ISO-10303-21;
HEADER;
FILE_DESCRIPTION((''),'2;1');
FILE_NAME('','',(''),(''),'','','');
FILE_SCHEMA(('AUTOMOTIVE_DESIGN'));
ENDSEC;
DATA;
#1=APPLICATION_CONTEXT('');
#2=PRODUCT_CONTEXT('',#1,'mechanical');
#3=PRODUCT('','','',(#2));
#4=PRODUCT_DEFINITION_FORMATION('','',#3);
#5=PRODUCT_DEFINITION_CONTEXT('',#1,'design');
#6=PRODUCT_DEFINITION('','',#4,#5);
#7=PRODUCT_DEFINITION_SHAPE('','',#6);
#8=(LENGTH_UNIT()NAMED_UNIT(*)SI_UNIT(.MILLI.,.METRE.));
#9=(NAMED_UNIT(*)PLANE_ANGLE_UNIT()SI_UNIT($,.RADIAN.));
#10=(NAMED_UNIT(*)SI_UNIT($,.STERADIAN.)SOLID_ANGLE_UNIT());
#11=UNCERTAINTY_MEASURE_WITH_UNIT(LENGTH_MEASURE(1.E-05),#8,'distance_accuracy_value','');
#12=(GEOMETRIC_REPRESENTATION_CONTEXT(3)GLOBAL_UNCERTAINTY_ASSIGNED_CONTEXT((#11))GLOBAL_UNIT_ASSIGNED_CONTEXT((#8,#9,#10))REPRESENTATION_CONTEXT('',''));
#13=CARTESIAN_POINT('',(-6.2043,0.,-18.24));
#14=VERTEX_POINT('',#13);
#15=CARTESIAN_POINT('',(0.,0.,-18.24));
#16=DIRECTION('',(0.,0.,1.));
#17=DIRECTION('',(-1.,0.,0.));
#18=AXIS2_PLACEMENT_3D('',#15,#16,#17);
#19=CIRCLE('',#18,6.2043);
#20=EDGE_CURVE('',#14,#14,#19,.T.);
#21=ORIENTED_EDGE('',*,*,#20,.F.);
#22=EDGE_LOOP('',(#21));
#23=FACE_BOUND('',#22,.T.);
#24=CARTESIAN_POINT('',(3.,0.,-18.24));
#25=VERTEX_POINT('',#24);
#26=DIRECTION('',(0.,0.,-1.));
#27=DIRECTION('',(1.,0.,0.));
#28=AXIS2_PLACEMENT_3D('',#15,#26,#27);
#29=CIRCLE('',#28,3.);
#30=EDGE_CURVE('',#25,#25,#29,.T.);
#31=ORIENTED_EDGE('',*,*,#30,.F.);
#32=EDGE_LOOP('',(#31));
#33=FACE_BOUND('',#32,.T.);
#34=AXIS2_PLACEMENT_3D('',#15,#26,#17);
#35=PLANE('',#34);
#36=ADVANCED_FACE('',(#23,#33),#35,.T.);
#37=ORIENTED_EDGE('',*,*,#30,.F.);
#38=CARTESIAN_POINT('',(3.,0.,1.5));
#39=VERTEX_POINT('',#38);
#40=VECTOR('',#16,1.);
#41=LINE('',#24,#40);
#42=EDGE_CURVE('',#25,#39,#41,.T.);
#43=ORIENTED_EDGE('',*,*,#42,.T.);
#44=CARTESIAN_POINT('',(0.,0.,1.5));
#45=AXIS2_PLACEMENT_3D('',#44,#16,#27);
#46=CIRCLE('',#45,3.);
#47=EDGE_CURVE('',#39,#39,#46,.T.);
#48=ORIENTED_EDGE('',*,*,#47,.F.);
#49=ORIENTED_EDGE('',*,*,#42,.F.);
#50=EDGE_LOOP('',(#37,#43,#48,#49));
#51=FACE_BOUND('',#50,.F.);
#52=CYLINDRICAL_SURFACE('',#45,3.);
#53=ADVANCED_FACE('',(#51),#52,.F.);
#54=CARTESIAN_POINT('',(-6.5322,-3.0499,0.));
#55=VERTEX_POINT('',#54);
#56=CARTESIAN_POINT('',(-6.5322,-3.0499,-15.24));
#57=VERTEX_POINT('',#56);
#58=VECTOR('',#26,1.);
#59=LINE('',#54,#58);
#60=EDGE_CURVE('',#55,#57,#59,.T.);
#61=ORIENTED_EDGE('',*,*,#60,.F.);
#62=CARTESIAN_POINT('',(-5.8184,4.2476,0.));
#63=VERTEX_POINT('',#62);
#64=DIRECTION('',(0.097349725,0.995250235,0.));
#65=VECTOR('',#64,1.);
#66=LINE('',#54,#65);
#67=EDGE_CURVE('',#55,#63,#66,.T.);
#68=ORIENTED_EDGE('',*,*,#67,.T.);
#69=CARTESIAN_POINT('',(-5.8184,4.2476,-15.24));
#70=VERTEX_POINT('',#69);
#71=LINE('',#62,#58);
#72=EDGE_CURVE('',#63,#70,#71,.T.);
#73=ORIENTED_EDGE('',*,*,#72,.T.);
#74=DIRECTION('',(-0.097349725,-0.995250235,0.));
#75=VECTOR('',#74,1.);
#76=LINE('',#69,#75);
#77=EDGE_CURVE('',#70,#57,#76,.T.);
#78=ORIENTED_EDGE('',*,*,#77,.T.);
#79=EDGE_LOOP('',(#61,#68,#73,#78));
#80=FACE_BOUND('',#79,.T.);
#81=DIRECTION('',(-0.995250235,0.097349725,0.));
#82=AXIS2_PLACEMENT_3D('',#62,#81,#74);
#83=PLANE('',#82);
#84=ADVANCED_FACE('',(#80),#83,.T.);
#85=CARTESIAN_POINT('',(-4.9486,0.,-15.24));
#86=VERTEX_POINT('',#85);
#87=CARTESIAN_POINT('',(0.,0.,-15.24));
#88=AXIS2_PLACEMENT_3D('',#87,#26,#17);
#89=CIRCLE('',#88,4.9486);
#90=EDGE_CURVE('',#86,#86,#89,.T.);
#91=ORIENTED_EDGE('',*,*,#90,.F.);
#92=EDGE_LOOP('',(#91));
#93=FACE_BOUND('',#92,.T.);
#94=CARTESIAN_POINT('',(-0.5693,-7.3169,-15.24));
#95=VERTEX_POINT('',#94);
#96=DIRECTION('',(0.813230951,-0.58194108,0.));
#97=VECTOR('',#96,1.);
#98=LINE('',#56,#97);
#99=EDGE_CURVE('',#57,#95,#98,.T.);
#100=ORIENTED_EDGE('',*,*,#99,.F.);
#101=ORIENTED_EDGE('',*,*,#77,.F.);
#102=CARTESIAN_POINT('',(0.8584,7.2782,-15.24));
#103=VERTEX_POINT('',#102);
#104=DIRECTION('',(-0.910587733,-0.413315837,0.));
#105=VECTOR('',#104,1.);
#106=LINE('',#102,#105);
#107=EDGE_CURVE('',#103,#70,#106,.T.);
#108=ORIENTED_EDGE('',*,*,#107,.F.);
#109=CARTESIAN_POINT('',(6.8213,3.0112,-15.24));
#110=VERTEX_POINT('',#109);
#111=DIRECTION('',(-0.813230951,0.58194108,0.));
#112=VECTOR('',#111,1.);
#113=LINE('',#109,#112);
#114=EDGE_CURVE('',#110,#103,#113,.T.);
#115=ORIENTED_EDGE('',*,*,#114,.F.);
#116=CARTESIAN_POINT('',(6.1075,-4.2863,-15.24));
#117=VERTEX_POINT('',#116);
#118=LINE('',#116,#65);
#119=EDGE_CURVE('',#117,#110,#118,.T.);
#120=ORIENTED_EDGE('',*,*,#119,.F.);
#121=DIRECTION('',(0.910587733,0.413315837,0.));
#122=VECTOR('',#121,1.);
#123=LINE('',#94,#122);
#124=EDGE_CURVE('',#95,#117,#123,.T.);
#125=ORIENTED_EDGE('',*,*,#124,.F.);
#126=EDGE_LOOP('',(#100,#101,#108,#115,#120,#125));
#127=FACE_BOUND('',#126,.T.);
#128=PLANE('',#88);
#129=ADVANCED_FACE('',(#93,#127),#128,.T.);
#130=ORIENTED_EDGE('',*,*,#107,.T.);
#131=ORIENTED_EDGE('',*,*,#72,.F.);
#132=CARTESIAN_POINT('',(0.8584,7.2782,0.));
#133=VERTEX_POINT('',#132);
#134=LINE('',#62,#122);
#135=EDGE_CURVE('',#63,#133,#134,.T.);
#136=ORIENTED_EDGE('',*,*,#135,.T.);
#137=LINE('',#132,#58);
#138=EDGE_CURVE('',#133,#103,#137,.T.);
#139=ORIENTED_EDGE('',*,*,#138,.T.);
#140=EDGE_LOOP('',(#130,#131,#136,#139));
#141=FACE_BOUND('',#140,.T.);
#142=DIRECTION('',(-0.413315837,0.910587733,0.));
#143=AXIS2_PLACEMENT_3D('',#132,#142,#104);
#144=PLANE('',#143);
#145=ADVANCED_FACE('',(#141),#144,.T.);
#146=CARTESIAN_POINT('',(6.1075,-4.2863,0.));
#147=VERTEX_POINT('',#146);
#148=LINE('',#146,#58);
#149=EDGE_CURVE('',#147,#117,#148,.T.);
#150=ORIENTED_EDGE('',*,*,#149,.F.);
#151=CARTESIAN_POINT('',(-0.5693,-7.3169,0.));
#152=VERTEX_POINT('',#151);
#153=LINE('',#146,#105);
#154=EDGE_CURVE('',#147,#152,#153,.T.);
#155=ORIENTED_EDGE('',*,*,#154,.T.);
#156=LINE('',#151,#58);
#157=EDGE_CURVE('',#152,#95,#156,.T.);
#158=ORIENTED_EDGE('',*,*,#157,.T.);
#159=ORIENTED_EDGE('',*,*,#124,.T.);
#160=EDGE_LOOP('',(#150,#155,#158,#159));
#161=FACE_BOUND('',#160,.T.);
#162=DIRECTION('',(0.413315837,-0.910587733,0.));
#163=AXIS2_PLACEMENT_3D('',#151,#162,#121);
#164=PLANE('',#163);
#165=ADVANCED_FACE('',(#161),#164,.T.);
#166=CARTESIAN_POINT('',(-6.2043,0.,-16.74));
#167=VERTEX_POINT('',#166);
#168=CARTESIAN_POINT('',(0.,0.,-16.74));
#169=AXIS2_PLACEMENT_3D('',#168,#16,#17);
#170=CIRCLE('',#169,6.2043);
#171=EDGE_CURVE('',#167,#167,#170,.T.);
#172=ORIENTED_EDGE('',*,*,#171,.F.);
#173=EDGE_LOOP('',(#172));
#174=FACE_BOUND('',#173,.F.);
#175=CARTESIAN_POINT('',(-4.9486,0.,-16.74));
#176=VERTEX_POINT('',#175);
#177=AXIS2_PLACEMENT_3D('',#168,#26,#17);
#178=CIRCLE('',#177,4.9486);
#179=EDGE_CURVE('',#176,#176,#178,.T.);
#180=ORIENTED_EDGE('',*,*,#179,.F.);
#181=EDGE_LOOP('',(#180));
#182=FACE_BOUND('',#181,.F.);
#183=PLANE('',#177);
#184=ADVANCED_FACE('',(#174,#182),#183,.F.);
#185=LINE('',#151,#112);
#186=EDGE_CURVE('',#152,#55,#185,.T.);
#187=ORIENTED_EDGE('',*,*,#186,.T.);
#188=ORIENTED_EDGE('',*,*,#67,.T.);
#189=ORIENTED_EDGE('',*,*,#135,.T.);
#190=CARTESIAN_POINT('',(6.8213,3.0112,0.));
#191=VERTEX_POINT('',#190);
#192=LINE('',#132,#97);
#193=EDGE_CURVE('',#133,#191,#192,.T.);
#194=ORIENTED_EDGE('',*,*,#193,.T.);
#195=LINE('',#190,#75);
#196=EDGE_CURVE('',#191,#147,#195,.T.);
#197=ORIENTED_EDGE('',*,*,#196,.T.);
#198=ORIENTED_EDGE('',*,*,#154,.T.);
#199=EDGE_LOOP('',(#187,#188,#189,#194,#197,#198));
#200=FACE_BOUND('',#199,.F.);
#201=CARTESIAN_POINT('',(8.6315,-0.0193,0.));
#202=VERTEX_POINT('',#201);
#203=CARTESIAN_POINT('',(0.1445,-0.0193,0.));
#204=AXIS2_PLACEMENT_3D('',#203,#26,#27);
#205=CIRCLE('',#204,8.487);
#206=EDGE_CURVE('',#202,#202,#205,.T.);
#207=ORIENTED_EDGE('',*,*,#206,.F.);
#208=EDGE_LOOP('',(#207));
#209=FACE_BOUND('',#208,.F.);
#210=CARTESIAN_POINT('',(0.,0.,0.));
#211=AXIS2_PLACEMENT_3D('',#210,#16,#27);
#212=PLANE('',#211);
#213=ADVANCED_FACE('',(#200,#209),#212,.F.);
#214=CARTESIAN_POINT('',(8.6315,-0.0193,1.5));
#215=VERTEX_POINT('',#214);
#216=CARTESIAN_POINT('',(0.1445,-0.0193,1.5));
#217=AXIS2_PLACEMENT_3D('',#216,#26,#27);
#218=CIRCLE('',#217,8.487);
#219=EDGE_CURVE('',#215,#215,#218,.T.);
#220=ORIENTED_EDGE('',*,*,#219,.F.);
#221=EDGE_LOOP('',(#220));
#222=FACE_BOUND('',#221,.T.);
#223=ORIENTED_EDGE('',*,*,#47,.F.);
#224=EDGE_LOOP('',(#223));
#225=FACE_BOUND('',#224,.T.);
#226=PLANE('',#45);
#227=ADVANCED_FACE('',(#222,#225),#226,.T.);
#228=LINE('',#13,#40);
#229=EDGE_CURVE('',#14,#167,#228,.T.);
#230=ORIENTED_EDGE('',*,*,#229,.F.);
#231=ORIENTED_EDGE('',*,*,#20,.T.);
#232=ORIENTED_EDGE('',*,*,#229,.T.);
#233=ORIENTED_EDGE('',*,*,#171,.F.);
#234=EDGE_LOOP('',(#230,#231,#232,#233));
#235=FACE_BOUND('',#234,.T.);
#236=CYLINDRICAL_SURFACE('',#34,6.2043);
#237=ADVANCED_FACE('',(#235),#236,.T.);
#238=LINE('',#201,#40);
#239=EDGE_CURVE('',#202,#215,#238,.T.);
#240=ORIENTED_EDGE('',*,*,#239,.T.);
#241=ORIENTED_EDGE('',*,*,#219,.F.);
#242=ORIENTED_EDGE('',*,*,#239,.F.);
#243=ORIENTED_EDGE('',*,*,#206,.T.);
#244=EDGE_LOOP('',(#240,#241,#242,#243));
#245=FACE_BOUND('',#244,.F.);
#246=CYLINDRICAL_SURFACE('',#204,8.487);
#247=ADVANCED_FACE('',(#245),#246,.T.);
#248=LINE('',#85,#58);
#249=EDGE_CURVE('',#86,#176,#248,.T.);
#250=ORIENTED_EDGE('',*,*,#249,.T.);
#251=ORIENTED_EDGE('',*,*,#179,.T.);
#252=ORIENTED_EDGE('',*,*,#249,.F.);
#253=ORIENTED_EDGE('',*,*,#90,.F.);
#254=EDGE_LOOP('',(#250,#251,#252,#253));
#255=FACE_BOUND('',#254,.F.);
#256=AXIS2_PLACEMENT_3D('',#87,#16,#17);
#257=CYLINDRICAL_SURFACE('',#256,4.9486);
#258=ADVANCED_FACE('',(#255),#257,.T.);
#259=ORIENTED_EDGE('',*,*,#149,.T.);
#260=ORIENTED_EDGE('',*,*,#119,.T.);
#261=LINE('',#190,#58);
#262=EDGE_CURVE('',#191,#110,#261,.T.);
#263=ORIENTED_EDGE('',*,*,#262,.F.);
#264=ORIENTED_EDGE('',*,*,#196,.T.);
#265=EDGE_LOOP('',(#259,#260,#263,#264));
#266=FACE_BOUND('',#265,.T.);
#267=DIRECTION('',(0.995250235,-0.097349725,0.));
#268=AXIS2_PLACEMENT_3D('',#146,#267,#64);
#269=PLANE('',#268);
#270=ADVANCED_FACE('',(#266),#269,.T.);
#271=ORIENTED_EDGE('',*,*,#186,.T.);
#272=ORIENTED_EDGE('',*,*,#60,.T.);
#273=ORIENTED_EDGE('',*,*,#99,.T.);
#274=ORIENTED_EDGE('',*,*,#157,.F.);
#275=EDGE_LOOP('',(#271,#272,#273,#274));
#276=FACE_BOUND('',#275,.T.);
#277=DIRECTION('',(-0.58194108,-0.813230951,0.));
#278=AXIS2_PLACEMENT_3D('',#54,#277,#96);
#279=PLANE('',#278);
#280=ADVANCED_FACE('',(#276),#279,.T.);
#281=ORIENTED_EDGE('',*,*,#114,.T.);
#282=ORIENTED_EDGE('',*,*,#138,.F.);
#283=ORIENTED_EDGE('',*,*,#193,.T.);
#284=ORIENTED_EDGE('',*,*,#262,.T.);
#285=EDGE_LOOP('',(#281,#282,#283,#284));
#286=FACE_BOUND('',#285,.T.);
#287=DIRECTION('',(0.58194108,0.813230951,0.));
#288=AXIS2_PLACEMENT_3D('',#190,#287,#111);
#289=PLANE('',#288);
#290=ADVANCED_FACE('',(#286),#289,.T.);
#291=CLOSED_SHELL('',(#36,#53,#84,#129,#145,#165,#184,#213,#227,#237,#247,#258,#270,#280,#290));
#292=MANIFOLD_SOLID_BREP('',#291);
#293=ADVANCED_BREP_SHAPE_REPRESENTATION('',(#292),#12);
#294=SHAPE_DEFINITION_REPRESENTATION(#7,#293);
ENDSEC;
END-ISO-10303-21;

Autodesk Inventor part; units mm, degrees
ref_plane "YZ Plane" through (0, 0, 0) normal (1, 0, 0) x (0, 1, 0)
ref_plane "XZ Plane" through (0, 0, 0) normal (0, 1, 0) x (-1, 0, 0)
sketch "Sketch1" plane through (0, 0, 0) normal (0, 0, 1) x (1, 0, 0)
  line L0 (-6.5322, -3.0499) -> (-5.8184, 4.2476) projected
  line L1 (-5.8184, 4.2476) -> (0.8584, 7.2782) projected
  line L2 (0.8584, 7.2782) -> (6.8213, 3.0112) projected
  line L3 (6.8213, 3.0112) -> (6.1075, -4.2863) projected
  line L4 (6.1075, -4.2863) -> (-0.5693, -7.3169) projected
  line L5 (-0.5693, -7.3169) -> (-6.5322, -3.0499) projected
  circle A0 centre (0.1445, -0.0193) radius 15.5 projected
  line L6 (-6.7574, 4.9196) -> (-7.5837, -3.5272)
  line L7 (-7.5837, -3.5272) -> (-0.6817, -8.4661)
  line L8 (-0.6817, -8.4661) -> (7.0465, -4.9582)
  line L9 (7.0465, -4.9582) -> (7.8727, 3.4885)
  line L10 (7.8727, 3.4885) -> (0.9708, 8.4274)
  line L11 (0.9708, 8.4274) -> (-6.7574, 4.9196)
  circle A1 centre (0.1445, -0.0193) radius 8.487
  point P0 (0, 0)
  dimension "d0" = 1
extrude "Extrusion1" add sketch "Sketch1" along normal blind 1.5 contours L0 L1 L2 L3 L4 L5 | L11 L10 L9 L8 L7 L6 | A1 L11 | L6 A1 | L7 A1 | A1 L10 | L8 A1 | A1 L9
sketch "Sketch2" plane through (0, 0, 0) normal (0, 0, -1) x (-1, 0, 0)
  line L0 (5.8184, 4.2476) -> (6.5322, -3.0499) projected
  line L1 (6.5322, -3.0499) -> (0.5693, -7.3169) projected
  line L2 (0.5693, -7.3169) -> (-6.1075, -4.2863) projected
  line L3 (-6.1075, -4.2863) -> (-6.8213, 3.0112) projected
  line L4 (-6.8213, 3.0112) -> (-0.8584, 7.2782) projected
  line L5 (-0.8584, 7.2782) -> (5.8184, 4.2476) projected
  circle A0 centre (-0.1445, -0.0193) radius 15.5 projected
  line L6 (5.8184, 4.2476) -> (6.5322, -3.0499) projected
  line L7 (6.5322, -3.0499) -> (0.5693, -7.3169) projected
  line L8 (0.5693, -7.3169) -> (-6.1075, -4.2863) projected
  line L9 (-6.1075, -4.2863) -> (-6.8213, 3.0112) projected
  line L10 (-6.8213, 3.0112) -> (-0.8584, 7.2782) projected
  line L11 (-0.8584, 7.2782) -> (5.8184, 4.2476) projected
  circle A1 centre (-0.1445, -0.0193) radius 15.5 projected
  point P0 (0, 0)
extrude "Extrusion2" add sketch "Sketch2" along normal blind 18.24 contours L0 L1 L2 L3 L4 L5
ref_plane "Work Plane1" through (0, 0, -15.24) normal (0, 0, -1) x (-1, 0, 0)
sketch "Sketch3" plane through (0, 0, -15.24) normal (0, 0, -1) x (-1, 0, 0)
  line L0 (5.8184, 4.2476) -> (6.5322, -3.0499) projected
  line L1 (-0.8584, 7.2782) -> (5.8184, 4.2476) projected
  line L2 (-6.8213, 3.0112) -> (-0.8584, 7.2782) projected
  line L3 (-6.1075, -4.2863) -> (-6.8213, 3.0112) projected
  line L4 (0.5693, -7.3169) -> (-6.1075, -4.2863) projected
  line L5 (6.5322, -3.0499) -> (0.5693, -7.3169) projected
  circle A0 centre (0, 0) radius 4.9486
  dimension "d17" = 9.8971
sketch "Sketch4" plane through (0, 0, 1.5) normal (0, 0, 1) x (1, 0, 0)
  circle A0 centre (0, 0) radius 3
  dimension "d8" = 6
extrude "Extrusion4" cut sketch "Sketch4" against normal through all
extrude "Extrusion6" cut sketch "Sketch3" along normal blind 1.5
sketch "Sketch6" plane through (0, 0, -18.24) normal (0, 0, -1) x (-1, 0, 0)
  circle A0 centre (0, 0) radius 3 projected
  line L0 (5.8184, 4.2476) -> (6.5322, -3.0499) projected
  line L1 (-0.8584, 7.2782) -> (5.8184, 4.2476) projected
  line L2 (-6.8213, 3.0112) -> (-0.8584, 7.2782) projected
  line L3 (-6.1075, -4.2863) -> (-6.8213, 3.0112) projected
  line L4 (0.5693, -7.3169) -> (-6.1075, -4.2863) projected
  line L5 (6.5322, -3.0499) -> (0.5693, -7.3169) projected
  circle A1 centre (0, 0) radius 6.2043
extrude "Extrusion7" cut sketch "Sketch6" against normal up to surface (1.5 mm away)
properties part number "Hub"
